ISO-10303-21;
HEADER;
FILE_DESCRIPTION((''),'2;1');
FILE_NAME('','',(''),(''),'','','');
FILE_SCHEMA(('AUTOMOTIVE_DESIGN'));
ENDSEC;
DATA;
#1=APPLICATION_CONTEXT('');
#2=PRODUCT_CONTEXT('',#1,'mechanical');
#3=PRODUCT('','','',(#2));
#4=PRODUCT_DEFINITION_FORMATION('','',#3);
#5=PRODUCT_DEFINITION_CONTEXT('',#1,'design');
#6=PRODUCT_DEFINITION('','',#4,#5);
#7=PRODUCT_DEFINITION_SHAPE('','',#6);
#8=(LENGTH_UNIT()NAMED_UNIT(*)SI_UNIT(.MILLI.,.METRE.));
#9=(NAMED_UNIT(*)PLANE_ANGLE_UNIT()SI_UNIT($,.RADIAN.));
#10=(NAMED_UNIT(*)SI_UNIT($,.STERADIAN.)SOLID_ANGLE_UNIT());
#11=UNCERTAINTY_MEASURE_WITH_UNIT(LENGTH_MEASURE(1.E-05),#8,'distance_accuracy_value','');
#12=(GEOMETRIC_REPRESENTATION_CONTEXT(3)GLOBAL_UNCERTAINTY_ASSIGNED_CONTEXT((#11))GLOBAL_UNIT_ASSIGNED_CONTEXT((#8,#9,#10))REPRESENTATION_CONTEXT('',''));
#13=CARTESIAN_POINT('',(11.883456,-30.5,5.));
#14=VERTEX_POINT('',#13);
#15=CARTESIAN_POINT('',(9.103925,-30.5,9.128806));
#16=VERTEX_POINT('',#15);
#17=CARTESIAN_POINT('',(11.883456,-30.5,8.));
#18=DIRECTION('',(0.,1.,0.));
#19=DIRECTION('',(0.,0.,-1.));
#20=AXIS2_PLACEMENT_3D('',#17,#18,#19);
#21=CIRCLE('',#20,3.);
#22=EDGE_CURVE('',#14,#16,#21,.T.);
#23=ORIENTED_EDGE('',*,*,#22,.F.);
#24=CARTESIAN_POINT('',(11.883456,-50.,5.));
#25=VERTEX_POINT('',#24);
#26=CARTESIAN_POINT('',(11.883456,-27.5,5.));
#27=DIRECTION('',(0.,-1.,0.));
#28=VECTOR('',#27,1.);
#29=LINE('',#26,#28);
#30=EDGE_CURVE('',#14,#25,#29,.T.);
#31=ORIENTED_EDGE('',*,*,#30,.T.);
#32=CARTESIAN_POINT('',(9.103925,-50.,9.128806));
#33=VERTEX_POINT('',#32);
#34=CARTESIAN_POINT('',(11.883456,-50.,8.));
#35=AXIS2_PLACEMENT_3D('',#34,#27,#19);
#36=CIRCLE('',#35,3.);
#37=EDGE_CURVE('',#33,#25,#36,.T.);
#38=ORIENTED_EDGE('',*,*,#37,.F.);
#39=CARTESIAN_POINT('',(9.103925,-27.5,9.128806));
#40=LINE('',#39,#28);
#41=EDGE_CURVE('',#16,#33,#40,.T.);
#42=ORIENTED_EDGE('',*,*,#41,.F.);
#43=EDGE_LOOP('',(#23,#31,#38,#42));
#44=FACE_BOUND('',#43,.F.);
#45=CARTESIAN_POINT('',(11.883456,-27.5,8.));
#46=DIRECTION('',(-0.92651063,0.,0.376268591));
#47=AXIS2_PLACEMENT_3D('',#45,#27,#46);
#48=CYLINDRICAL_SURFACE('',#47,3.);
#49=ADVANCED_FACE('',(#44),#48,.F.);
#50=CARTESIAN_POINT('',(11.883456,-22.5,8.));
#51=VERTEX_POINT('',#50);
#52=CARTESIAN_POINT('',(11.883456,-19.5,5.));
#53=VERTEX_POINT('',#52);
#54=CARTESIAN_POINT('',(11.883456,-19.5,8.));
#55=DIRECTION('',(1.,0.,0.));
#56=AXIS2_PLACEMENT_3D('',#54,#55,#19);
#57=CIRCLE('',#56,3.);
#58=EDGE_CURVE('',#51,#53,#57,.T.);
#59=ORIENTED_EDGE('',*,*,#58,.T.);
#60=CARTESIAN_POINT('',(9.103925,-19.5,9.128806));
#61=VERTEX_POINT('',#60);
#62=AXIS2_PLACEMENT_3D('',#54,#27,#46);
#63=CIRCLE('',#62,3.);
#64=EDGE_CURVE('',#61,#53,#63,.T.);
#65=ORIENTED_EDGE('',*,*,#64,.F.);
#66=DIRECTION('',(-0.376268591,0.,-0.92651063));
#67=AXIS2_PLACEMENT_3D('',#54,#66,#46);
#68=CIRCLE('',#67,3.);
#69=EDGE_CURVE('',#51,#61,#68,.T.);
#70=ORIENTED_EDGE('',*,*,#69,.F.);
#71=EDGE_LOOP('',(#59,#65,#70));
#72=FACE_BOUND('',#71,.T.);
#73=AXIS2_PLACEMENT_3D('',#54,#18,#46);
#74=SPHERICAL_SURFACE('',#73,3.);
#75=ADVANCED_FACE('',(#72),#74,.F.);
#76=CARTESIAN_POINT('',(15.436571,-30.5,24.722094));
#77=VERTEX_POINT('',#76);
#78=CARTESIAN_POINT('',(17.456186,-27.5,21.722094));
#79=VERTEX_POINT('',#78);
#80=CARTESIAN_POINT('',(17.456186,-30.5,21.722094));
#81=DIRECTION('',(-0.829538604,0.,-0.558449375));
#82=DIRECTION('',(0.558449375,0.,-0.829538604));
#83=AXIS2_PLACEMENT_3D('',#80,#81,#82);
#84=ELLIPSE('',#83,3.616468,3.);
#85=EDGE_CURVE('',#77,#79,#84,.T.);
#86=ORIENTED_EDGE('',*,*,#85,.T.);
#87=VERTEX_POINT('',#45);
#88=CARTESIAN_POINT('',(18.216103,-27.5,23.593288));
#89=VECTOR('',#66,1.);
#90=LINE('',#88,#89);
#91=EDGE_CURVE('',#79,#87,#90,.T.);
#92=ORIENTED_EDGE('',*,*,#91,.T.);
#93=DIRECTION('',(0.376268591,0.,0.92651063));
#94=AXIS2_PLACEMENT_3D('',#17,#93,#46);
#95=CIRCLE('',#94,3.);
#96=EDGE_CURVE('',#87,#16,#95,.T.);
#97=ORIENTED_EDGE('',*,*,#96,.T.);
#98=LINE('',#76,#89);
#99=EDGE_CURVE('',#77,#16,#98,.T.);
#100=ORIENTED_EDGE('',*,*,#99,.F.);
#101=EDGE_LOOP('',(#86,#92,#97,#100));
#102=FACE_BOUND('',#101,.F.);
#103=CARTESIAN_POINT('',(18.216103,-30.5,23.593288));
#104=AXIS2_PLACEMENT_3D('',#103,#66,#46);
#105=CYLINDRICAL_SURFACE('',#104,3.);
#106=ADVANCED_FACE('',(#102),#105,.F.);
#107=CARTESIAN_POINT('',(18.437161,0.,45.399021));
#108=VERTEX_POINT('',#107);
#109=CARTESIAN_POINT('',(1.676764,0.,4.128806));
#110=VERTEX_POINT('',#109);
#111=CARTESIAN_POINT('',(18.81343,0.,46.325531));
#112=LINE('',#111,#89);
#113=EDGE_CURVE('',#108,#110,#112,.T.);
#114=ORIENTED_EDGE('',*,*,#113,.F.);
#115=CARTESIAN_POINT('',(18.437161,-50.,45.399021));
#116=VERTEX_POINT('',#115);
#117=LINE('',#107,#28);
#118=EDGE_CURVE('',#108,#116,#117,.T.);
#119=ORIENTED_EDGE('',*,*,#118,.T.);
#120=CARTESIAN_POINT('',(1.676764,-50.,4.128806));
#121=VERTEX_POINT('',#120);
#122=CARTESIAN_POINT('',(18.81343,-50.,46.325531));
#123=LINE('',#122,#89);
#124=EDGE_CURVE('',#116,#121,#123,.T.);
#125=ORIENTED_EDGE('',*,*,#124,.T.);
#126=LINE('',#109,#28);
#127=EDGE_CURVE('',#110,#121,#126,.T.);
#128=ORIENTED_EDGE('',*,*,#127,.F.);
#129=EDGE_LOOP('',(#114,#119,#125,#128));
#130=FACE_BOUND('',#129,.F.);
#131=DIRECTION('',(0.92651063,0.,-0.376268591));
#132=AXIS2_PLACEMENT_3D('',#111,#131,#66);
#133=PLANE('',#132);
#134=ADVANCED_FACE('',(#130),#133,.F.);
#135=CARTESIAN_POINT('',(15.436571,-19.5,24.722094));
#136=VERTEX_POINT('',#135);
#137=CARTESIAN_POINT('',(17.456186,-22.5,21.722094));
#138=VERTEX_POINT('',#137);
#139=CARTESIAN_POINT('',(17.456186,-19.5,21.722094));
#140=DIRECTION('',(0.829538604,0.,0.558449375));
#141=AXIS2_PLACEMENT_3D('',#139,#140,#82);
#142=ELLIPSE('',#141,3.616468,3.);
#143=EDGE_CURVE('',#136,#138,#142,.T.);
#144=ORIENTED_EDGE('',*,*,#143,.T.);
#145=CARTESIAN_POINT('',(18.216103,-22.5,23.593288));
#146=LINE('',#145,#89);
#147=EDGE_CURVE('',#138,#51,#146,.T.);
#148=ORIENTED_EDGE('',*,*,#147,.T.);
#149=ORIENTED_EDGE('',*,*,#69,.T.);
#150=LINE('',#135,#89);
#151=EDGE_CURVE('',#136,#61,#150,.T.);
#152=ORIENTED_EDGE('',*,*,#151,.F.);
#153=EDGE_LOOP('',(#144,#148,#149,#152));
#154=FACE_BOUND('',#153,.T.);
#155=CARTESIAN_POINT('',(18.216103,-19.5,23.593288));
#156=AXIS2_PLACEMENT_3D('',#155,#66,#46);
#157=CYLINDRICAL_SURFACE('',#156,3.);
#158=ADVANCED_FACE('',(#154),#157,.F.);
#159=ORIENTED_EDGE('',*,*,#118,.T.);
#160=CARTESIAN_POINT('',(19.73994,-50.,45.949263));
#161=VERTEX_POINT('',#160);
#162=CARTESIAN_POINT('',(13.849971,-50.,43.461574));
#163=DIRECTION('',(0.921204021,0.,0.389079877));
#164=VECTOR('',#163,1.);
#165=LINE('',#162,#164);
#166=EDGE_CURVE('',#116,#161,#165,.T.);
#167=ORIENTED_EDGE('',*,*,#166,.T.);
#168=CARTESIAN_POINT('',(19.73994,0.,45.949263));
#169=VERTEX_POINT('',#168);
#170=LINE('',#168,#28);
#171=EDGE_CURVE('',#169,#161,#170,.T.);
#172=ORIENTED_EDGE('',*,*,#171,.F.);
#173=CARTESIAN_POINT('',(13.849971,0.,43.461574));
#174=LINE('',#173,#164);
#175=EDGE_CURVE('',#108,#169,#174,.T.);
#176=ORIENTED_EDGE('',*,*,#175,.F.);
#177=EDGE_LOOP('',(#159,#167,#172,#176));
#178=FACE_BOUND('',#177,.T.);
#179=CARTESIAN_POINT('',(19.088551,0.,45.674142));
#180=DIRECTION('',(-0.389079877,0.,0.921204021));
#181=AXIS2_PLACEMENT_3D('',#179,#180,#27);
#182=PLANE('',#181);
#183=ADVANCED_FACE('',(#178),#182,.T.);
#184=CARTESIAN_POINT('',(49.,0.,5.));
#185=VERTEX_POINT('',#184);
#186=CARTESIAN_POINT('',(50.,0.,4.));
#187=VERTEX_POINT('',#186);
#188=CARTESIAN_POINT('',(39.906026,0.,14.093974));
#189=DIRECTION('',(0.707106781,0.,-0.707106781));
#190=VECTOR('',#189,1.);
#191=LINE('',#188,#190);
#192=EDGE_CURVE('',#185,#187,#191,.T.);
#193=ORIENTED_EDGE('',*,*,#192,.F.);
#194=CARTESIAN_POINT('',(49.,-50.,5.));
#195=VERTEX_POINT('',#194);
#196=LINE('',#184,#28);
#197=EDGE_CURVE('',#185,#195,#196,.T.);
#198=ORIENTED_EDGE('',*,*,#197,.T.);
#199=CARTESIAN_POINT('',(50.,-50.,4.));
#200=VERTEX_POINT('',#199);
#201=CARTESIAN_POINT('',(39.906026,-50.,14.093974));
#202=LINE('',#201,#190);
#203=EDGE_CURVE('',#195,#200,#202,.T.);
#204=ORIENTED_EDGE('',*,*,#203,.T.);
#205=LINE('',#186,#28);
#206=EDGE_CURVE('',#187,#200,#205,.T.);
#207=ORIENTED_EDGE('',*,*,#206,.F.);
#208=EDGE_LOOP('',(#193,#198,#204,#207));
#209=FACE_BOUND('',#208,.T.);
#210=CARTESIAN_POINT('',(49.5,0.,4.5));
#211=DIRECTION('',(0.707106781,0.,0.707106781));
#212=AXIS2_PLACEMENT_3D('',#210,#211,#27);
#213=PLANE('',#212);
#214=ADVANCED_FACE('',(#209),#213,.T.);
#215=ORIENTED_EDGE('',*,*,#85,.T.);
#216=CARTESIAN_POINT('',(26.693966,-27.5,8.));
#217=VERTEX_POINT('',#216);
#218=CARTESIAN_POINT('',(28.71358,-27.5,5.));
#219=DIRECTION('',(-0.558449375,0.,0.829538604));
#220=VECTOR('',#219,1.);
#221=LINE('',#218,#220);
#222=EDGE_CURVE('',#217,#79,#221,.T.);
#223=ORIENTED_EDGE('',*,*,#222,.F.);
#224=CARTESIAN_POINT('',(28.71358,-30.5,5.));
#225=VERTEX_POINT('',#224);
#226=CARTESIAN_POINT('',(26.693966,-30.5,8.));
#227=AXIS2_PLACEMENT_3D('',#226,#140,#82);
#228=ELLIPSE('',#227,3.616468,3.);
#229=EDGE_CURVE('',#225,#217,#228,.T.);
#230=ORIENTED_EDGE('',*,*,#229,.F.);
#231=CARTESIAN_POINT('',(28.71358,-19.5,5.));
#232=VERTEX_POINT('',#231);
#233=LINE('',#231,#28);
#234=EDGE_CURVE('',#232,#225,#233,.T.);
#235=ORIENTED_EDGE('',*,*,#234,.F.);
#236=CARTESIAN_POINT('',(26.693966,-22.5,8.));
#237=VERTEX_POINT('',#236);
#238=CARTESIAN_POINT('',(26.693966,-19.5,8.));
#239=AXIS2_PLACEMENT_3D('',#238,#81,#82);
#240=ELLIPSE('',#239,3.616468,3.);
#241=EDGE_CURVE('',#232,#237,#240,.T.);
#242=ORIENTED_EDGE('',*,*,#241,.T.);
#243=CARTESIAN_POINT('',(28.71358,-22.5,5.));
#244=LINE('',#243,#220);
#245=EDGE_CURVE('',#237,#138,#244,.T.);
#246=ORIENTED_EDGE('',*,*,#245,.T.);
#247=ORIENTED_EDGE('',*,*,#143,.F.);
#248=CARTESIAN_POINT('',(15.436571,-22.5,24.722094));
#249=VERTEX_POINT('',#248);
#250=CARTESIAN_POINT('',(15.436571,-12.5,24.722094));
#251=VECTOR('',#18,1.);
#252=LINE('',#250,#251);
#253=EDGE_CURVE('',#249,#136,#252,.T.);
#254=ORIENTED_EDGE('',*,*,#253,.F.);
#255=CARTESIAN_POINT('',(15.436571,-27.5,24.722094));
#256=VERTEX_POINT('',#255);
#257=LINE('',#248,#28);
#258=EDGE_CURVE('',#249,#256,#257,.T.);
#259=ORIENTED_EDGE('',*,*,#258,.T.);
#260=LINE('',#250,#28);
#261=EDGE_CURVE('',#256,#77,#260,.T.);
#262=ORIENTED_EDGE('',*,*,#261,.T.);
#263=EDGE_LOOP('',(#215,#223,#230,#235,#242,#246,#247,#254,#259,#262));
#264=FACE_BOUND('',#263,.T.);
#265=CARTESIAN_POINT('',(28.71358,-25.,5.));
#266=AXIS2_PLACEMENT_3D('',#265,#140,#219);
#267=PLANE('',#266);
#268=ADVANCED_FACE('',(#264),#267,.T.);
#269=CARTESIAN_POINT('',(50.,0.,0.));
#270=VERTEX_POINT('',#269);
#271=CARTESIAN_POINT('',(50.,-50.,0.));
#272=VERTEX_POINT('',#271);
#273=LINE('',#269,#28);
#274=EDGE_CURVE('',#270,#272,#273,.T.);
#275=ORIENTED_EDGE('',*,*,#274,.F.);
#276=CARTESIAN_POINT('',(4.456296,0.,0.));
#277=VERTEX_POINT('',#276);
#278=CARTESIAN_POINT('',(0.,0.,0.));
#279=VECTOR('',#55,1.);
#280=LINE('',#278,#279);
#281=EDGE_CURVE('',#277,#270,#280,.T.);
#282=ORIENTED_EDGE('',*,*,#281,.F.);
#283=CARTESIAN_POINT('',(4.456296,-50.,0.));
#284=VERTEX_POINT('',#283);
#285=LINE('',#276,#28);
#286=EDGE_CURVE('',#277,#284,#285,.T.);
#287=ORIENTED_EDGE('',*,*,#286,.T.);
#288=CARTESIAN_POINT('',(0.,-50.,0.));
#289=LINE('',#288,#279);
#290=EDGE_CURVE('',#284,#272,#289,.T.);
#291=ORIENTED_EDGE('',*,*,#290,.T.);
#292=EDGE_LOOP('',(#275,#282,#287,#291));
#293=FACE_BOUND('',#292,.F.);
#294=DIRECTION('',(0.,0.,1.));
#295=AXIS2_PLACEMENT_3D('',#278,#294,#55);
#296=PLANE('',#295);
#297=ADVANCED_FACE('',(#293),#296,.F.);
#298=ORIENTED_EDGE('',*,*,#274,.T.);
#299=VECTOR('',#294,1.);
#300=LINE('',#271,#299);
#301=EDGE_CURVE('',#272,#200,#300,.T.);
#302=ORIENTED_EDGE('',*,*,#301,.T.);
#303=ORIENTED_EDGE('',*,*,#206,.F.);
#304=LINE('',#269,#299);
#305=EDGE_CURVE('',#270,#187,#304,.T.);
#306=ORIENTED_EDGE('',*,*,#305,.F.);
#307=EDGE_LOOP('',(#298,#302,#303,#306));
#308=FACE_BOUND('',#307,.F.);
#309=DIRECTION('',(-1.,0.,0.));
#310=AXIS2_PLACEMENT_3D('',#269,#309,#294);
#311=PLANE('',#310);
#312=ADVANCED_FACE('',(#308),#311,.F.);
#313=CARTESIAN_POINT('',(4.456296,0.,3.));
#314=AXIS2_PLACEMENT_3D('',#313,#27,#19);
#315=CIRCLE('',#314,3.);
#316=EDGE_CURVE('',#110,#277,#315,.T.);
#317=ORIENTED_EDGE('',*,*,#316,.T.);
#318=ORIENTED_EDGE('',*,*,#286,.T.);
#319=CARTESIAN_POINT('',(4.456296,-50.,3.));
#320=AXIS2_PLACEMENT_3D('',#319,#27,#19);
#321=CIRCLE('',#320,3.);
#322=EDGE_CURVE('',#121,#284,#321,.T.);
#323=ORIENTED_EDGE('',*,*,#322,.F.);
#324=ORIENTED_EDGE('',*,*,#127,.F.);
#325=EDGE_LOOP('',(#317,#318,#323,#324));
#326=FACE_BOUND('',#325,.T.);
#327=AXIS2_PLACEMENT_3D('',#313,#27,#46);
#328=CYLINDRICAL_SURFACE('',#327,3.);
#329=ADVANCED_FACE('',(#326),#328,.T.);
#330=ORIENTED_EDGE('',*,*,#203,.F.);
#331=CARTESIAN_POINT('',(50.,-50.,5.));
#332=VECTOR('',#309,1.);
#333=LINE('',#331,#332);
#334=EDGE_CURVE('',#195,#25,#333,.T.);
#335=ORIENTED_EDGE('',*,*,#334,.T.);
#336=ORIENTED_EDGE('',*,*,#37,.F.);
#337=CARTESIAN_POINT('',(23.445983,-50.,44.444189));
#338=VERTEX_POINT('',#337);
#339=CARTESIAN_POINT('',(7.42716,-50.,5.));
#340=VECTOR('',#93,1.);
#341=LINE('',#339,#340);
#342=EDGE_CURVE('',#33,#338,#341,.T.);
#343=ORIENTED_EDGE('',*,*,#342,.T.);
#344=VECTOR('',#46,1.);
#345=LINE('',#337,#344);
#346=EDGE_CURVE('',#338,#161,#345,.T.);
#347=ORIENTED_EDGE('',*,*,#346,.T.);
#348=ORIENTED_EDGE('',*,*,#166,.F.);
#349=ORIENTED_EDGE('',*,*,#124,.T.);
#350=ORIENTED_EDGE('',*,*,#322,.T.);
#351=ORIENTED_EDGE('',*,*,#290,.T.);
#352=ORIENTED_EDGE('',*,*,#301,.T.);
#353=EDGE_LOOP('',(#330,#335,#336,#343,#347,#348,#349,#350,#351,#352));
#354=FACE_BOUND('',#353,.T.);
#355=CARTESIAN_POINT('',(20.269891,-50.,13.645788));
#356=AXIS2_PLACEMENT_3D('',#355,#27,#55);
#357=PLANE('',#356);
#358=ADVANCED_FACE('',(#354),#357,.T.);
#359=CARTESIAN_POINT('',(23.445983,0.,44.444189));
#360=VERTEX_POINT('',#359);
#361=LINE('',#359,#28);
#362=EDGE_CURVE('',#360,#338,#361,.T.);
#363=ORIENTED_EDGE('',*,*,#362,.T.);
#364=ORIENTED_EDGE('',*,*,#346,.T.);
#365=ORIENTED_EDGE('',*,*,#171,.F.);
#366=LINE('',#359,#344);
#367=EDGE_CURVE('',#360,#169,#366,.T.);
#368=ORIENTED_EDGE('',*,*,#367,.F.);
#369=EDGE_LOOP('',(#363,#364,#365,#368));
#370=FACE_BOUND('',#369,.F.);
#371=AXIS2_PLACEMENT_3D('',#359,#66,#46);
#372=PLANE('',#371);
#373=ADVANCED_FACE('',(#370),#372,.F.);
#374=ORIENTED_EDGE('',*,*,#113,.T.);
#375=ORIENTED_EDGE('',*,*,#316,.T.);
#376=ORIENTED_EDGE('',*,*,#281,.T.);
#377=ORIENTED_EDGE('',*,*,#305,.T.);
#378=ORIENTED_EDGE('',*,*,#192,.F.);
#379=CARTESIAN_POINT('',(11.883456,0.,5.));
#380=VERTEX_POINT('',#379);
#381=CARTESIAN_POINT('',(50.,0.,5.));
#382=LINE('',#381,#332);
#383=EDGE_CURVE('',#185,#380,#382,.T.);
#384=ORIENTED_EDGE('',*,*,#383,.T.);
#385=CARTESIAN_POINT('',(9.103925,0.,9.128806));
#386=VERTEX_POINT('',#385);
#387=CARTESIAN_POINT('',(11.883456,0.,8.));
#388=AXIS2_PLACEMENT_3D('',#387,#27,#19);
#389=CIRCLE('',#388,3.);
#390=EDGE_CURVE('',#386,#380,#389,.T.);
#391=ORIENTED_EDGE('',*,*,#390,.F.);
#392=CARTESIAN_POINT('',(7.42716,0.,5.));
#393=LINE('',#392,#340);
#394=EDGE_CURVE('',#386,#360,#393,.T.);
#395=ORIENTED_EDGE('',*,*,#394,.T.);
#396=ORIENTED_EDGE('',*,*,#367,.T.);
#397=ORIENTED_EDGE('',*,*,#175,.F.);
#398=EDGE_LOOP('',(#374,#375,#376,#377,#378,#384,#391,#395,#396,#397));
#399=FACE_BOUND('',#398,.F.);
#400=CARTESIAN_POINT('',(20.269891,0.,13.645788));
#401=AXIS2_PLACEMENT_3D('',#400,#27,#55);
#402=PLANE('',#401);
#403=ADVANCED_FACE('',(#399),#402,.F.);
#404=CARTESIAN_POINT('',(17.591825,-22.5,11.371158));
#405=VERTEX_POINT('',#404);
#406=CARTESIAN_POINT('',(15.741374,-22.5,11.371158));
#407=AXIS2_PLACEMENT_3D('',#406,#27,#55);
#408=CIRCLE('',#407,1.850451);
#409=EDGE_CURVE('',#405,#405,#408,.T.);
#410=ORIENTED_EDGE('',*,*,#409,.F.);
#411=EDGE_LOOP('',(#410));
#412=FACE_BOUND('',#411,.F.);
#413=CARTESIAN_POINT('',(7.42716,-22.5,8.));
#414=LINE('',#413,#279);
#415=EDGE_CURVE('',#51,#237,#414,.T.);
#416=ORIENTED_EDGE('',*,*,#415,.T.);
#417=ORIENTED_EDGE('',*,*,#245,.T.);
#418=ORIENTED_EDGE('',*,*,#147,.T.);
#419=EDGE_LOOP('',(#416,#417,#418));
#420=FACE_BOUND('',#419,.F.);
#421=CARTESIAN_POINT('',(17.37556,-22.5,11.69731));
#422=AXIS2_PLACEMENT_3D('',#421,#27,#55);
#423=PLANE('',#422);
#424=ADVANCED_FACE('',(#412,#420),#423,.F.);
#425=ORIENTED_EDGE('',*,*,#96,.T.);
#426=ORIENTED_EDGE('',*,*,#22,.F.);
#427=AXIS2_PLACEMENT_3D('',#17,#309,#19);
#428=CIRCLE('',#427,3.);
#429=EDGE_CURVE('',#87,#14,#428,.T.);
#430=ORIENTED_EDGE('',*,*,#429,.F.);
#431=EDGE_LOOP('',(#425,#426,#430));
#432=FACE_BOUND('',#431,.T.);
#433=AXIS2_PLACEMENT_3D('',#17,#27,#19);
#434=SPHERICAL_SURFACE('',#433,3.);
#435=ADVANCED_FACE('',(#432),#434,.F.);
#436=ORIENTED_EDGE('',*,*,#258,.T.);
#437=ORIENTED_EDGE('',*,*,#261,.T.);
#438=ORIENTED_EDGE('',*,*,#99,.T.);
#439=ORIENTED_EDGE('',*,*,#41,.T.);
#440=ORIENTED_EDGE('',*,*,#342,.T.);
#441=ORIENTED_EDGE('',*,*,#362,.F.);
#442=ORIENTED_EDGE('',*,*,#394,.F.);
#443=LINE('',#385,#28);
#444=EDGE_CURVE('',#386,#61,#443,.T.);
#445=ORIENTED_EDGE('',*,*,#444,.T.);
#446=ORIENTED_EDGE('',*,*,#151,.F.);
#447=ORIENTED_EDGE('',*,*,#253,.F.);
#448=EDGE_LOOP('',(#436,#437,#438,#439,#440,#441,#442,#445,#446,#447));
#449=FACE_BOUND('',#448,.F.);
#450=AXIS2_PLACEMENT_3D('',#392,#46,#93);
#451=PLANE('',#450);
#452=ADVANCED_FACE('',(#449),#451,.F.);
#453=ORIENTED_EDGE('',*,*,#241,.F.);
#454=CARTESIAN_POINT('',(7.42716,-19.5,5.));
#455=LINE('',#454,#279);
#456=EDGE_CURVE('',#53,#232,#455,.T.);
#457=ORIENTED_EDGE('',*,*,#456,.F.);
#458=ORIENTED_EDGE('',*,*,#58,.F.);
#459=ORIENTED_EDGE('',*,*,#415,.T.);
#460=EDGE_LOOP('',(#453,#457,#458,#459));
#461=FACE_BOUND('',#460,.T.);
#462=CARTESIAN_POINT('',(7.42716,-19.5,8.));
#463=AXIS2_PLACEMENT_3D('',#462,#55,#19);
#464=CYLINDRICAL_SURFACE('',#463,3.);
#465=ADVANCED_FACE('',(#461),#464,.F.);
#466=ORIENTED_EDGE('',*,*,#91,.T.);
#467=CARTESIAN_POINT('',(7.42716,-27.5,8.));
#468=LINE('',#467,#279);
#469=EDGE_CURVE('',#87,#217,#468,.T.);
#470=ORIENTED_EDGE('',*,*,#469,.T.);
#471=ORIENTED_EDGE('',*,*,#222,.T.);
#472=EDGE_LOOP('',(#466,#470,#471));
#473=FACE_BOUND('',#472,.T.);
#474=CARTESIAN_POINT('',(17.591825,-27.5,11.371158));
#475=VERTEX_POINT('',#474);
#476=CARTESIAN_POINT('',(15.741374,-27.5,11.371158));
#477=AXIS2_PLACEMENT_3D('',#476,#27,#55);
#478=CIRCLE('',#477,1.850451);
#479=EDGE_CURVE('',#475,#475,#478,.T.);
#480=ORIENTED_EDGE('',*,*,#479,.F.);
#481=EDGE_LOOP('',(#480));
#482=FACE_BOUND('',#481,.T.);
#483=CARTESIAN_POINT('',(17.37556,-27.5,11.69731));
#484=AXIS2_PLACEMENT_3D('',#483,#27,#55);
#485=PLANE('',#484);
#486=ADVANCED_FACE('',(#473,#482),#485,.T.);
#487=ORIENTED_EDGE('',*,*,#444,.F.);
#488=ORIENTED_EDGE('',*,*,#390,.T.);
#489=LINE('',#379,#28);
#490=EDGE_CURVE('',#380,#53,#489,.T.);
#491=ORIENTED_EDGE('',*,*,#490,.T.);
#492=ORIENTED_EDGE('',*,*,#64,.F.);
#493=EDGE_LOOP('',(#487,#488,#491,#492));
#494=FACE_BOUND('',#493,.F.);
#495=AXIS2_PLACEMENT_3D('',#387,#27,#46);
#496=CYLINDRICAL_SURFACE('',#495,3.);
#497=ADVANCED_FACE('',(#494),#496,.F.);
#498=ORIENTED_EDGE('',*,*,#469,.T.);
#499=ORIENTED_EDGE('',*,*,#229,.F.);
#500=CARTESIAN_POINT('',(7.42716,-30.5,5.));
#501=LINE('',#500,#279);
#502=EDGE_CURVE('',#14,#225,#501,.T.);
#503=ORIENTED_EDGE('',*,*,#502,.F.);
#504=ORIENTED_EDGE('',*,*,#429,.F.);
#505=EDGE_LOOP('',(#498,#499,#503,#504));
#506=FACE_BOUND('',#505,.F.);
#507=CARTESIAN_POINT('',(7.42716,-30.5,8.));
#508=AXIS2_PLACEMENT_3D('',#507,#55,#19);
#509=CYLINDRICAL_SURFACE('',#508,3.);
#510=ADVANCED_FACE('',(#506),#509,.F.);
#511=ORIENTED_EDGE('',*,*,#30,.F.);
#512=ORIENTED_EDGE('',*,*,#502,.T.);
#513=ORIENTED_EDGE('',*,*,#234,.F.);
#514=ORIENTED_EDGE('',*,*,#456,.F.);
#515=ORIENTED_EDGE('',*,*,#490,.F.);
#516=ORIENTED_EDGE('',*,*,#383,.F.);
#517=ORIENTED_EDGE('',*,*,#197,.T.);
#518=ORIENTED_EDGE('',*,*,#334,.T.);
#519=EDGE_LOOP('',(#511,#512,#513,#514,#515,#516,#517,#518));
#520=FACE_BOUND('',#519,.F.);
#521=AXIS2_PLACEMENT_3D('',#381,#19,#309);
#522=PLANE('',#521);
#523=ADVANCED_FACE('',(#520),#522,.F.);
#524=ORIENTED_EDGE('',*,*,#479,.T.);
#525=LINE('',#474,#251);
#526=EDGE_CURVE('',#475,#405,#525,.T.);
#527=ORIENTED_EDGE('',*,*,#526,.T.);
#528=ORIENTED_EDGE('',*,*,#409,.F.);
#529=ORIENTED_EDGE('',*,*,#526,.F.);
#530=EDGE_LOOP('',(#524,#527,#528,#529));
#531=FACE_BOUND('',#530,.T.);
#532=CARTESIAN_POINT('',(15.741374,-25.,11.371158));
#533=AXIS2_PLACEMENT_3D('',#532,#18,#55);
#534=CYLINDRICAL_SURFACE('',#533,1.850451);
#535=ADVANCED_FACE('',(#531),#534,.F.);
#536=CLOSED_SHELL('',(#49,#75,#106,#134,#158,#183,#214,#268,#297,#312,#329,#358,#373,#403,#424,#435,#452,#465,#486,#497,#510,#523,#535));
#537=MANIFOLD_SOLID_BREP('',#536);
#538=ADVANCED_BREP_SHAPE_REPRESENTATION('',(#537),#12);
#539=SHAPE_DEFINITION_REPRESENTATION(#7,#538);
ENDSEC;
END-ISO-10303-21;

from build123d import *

# Parameters (mm, degrees)
F1_DEPTH = 50
F3_R     = 1.8504510886
F4_DEPTH = 2.5
F5_R     = 3
F6_SIZE  = 1


with BuildPart() as f1:
    # F0 (on Front) → F1 (new body)
    with BuildSketch(Plane.XZ):
        Polygon((18.8134295464, 46.3255314994), (0, 0), (50, 0), (50, 5), (7.427160285, 5), (23.4459826963, 44.4441885448), align=None)
    extrude(amount=F1_DEPTH)

    # F3 (on offset) → F4 (join, symmetric)
    with BuildSketch(Plane.XZ.offset(25)):
        Polygon((28.7135801425, 5), (15.4365714906, 24.7220942724), (7.427160285, 5), align=None)
        with Locations((15.7413743436, 11.3711580634)):
            Circle(F3_R, mode=Mode.SUBTRACT)
    extrude(amount=F4_DEPTH, both=True)

    # F5
    f5_edges = [f1.edges().sort_by_distance(p)[0] for p in [
        (0, -25, 0),
        (18.07037, -27.5, 5),
        (11.431866, -27.5, 14.861047),
        (11.431866, -22.5, 14.861047),
        (18.07037, -22.5, 5),
        (7.42716, -38.75, 5),
        (7.42716, -11.25, 5),
    ]]
    fillet(f5_edges, radius=F5_R)

    # F6
    f6_edges = [f1.edges().sort_by_distance(p)[0] for p in [
        (18.81343, -25, 46.325531),
        (50, -25, 5),
    ]]
    chamfer(f6_edges, length=F6_SIZE)


solid = f1.part
